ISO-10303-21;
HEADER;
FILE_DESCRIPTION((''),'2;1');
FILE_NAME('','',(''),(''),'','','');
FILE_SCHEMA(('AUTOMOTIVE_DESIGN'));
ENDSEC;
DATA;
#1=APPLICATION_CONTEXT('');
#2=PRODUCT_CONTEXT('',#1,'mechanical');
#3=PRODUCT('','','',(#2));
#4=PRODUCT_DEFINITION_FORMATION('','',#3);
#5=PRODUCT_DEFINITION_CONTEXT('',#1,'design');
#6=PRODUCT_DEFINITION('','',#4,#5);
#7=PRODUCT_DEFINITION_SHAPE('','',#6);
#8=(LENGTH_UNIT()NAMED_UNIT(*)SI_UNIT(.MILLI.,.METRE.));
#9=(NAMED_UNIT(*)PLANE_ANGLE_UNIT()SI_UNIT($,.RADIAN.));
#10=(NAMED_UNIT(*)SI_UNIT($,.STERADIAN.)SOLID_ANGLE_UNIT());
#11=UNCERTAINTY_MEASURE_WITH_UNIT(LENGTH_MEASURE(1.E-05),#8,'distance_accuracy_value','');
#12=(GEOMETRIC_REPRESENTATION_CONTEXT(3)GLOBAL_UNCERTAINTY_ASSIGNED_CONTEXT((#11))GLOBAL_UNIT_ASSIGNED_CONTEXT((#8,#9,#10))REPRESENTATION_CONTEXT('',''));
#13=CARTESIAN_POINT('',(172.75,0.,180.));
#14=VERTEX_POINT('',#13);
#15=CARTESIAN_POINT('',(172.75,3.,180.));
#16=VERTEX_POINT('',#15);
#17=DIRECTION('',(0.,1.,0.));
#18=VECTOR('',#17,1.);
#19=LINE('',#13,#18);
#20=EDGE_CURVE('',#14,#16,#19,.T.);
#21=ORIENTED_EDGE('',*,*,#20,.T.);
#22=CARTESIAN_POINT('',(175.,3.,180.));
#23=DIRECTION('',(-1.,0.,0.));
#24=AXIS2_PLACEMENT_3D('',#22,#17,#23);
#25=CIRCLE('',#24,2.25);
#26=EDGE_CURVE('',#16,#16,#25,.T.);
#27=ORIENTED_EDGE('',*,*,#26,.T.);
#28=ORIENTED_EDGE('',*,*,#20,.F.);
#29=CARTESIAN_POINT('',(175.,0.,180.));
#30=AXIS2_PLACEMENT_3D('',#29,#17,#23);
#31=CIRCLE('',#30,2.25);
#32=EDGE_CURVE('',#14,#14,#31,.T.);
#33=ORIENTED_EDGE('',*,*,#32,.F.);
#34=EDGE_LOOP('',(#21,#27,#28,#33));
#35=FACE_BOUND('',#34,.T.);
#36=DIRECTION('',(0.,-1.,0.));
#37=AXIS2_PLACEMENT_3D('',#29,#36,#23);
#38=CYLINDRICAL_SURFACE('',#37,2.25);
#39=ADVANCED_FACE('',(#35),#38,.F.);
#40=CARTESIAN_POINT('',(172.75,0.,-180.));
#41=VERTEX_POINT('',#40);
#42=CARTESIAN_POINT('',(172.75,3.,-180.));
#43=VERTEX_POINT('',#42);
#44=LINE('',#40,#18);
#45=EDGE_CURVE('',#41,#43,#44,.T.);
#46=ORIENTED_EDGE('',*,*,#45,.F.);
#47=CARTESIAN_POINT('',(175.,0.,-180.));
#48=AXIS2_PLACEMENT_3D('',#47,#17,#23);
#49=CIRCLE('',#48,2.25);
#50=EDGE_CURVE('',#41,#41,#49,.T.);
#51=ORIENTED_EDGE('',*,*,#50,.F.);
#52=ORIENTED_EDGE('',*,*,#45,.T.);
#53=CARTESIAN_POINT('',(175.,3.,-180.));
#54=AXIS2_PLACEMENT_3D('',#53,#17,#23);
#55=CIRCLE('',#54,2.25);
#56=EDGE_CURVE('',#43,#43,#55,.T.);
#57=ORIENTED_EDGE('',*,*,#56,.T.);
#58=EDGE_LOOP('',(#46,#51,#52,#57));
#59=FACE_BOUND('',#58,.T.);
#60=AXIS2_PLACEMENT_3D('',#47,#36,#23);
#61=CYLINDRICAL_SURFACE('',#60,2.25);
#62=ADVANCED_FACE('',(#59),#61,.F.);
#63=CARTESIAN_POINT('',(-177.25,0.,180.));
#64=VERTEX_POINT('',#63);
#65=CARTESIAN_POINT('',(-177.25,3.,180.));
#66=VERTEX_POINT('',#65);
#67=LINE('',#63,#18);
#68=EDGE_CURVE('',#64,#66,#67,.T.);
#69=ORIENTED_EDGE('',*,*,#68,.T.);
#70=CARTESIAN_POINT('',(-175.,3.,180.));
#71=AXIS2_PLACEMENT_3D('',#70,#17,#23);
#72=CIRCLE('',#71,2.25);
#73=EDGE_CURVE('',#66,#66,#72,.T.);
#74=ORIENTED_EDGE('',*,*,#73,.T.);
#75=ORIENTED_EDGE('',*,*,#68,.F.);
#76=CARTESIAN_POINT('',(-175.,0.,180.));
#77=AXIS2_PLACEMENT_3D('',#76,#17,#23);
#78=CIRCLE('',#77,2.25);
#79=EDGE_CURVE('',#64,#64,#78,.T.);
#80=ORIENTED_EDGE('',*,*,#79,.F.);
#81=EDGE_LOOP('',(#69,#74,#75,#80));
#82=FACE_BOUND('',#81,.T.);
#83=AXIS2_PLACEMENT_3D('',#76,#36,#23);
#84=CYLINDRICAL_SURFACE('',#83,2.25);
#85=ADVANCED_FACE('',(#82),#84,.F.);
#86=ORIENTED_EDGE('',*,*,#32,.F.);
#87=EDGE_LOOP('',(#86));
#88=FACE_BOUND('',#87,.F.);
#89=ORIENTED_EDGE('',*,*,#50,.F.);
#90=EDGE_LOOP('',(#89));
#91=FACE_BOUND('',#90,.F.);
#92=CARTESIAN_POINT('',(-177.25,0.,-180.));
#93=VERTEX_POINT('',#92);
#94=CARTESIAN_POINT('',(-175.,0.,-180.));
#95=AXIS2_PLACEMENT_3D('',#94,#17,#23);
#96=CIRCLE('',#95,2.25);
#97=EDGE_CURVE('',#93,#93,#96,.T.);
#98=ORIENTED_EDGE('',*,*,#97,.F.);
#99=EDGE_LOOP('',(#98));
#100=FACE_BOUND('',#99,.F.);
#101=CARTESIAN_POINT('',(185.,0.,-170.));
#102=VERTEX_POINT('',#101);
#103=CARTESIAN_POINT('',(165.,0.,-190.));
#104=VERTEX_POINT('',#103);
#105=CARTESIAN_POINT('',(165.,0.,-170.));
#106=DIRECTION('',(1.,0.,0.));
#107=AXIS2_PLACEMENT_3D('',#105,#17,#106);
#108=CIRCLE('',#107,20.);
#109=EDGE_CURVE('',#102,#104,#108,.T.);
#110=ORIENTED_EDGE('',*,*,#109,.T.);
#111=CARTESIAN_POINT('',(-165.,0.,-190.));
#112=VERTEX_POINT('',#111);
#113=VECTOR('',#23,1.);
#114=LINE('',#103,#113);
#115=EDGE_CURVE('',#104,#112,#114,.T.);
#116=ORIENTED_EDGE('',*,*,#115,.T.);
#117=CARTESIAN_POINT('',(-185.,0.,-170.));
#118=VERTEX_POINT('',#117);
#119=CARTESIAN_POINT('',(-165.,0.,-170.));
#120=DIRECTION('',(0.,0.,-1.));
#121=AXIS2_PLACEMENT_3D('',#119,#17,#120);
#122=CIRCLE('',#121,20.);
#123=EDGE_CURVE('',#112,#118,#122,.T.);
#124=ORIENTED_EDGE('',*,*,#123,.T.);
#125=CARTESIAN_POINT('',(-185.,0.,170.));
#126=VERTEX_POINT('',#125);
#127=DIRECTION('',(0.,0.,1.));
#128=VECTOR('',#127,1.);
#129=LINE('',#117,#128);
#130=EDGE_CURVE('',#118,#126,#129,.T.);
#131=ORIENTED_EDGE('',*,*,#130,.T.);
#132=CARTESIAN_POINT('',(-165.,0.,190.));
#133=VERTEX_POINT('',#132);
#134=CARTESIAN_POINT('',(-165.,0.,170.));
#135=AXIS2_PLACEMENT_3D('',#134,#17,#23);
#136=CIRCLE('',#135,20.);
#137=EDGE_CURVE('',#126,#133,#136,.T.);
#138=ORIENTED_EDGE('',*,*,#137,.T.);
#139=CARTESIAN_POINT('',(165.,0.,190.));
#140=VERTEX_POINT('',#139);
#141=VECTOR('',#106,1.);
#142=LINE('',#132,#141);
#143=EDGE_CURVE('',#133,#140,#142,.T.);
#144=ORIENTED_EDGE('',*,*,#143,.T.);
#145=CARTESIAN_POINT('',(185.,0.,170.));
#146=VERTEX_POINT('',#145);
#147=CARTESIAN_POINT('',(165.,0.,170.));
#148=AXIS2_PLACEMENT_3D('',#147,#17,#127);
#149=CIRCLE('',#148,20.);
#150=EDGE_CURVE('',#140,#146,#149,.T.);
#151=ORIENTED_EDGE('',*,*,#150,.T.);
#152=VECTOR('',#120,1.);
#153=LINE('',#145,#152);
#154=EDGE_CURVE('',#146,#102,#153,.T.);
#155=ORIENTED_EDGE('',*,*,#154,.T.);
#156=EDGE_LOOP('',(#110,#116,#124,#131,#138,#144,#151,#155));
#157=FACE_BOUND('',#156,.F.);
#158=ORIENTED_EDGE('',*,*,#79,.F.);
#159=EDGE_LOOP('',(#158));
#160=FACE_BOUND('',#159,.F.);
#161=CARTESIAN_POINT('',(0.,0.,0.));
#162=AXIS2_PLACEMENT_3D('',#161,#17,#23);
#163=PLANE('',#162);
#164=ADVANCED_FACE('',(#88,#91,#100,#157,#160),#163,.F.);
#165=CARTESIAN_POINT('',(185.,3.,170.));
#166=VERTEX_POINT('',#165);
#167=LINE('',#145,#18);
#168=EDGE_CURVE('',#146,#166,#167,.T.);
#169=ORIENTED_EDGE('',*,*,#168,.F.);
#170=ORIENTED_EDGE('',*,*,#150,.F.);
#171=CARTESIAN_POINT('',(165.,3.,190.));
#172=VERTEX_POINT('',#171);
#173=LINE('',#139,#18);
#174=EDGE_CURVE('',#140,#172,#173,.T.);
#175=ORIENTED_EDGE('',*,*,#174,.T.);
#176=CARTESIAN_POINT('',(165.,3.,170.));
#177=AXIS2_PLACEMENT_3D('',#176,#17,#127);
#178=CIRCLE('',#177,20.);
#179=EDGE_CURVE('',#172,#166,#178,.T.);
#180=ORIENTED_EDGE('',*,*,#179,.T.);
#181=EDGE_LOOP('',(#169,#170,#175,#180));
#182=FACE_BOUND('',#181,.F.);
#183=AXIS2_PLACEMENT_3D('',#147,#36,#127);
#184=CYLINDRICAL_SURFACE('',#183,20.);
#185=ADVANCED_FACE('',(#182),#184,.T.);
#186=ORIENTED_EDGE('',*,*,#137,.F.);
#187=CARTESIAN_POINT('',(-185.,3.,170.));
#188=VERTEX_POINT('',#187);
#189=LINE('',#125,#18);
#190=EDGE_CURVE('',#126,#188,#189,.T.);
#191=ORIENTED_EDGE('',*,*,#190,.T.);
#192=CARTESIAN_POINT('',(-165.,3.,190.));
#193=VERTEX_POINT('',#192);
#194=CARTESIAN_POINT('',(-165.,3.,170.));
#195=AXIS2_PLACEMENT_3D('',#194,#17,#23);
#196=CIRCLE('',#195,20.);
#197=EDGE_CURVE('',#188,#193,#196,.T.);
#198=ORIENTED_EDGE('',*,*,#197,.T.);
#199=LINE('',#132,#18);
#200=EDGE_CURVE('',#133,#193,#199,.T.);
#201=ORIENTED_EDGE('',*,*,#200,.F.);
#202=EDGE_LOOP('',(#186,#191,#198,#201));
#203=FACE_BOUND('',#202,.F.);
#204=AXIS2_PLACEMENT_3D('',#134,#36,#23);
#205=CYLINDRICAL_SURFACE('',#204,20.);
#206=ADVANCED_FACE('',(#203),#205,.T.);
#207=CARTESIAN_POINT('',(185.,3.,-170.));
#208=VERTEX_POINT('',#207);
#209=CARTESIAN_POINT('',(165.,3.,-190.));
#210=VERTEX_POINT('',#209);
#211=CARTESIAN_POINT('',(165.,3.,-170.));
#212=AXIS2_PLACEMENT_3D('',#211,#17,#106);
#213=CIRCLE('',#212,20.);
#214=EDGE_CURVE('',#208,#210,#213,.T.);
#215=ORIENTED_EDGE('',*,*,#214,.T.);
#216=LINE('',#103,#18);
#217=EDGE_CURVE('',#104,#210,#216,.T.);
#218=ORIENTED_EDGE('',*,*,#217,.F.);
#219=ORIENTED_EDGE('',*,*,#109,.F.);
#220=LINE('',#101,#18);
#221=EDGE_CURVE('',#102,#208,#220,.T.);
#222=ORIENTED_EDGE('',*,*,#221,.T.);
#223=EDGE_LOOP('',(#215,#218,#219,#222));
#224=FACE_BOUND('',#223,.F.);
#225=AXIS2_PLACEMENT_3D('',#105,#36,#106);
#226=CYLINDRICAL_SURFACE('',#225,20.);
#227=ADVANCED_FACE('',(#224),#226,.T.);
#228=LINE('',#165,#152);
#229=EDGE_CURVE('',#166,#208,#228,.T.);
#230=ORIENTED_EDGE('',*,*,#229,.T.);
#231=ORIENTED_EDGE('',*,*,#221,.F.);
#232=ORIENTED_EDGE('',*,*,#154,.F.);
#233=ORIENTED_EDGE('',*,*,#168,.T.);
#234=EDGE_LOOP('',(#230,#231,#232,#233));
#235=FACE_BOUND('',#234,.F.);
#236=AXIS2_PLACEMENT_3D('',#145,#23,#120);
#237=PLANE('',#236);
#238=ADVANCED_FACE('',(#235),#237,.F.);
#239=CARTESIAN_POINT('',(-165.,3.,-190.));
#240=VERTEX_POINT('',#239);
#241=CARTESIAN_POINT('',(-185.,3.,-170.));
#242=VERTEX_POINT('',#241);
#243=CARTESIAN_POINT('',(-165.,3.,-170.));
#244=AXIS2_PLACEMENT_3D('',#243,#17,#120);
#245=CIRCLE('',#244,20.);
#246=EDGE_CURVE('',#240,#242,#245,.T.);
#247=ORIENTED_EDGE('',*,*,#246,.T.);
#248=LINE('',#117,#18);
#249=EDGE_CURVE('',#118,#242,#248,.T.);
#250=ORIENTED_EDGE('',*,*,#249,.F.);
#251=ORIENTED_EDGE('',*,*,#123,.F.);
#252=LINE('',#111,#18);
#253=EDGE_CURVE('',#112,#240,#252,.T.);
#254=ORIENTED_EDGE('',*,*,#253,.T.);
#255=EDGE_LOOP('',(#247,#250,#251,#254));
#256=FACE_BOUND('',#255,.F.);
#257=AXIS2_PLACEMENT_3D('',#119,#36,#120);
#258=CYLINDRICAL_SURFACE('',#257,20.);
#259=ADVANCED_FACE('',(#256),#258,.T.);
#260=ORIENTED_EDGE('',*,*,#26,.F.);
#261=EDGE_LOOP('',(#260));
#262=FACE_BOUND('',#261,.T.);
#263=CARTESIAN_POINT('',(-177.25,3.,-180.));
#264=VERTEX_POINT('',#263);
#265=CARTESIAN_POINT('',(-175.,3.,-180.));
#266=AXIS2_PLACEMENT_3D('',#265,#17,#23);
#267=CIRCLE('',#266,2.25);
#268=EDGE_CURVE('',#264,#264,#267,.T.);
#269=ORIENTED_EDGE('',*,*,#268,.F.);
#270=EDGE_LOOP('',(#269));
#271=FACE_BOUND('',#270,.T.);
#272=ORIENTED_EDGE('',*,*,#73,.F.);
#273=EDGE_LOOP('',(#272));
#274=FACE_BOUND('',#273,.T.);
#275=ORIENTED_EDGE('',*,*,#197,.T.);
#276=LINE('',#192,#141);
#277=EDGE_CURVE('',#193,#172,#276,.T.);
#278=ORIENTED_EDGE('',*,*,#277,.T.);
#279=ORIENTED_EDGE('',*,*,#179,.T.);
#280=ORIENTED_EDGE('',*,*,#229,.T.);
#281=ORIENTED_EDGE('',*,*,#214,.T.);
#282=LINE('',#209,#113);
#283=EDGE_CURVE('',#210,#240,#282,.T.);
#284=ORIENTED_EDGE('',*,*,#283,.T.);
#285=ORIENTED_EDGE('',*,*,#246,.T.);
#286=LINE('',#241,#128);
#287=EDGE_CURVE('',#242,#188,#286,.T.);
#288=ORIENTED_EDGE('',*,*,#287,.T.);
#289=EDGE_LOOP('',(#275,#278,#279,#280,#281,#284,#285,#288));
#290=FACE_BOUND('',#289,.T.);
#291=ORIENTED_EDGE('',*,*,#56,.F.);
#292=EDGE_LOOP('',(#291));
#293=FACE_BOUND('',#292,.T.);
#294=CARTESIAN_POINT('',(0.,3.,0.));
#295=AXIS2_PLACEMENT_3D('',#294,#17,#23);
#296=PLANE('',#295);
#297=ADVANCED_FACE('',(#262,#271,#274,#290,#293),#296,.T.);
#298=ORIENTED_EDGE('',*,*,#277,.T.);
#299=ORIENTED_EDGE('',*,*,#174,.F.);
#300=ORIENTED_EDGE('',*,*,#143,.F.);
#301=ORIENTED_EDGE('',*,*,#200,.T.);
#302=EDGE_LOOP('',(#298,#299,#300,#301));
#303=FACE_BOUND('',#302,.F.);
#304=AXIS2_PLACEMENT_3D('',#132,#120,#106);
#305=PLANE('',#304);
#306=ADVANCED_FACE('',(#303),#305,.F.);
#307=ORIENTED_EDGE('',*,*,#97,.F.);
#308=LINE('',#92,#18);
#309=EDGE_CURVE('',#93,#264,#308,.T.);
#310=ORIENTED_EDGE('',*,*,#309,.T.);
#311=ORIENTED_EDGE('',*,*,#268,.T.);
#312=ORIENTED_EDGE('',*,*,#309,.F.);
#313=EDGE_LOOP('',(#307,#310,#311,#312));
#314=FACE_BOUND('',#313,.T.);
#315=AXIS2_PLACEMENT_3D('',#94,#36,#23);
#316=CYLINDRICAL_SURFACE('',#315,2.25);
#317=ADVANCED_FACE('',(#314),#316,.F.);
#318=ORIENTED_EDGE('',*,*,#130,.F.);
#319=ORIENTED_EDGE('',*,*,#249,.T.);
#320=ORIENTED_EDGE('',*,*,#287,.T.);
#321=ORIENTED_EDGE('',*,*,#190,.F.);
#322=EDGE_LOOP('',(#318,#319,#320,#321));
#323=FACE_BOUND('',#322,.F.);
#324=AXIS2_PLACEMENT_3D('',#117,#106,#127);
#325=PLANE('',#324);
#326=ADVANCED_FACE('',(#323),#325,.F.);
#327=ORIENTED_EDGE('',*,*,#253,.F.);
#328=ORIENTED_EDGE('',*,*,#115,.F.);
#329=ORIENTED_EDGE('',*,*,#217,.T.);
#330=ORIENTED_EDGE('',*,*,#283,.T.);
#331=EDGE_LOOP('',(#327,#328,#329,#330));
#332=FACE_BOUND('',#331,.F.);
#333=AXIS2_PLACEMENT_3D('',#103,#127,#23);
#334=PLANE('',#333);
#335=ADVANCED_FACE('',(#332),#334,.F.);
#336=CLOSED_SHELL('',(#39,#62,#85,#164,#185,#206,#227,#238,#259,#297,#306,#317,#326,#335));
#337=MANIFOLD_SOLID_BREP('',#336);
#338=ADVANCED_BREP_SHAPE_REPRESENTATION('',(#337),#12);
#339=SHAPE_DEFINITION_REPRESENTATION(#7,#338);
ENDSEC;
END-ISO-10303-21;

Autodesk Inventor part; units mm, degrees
ref_plane "YZ Plane" through (0, 0, 0) normal (1, 0, 0) x (0, 1, 0)
ref_plane "XZ Plane" through (0, 0, 0) normal (0, 1, 0) x (-1, 0, 0)
ref_plane "XY Plane" through (0, 0, 0) normal (0, 0, 1) x (1, 0, 0)
sketch "Sketch1" plane through (0, 0, 0) normal (0, 1, 0) x (-1, 0, 0)
  line L0 (-165, -190) -> (165, -190)
  line L1 (185, -170) -> (185, 170)
  line L2 (165, 190) -> (-165, 190)
  line L3 (-185, 170) -> (-185, -170)
  line L4 (-185, -190) -> (185, 190) construction
  line L5 (185, -190) -> (-185, 190) construction
  circle A0 centre (175, 180) radius 2.25
  circle A1 centre (175, -180) radius 2.25
  circle A2 centre (-175, 180) radius 2.25
  circle A3 centre (-175, -180) radius 2.25
  arc A4 (-165, 190) -> (-185, 170) centre (-165, 170) ccw
  arc A5 (165, -190) -> (185, -170) centre (165, -170) ccw
  arc A6 (185, 170) -> (165, 190) centre (165, 170) ccw
  arc A7 (-185, -170) -> (-165, -190) centre (-165, -170) ccw
  point P0 (0, 0)
  dimension "d0" = 380
  dimension "d1" = 370
  dimension "d4" = 4.5
  dimension "d5" = 4.5
  dimension "d6" = 10
  dimension "d7" = 10
  dimension "d8" = 10
  dimension "d9" = 10
  dimension "d10" = 4.5
  dimension "d11" = 4.5
  dimension "d12" = 10
  dimension "d13" = 10
  dimension "d14" = 10
  dimension "d15" = 10
  dimension "d16" = 20
  dimension "d17" = 20
  dimension "d18" = 20
  dimension "d19" = 20
extrude "Extrusion2" add sketch "Sketch1" along normal blind 3
equation "\"d8\" = d6"
equation "\"d9\" = d7"
equation "\"d10\" = d4"
equation "\"d11\" = d5"
equation "\"d12\" = d7"
equation "\"d13\" = d6"
equation "\"d14\" = d13"
equation "\"d15\" = d8"
properties part number "right_panel_atx"
